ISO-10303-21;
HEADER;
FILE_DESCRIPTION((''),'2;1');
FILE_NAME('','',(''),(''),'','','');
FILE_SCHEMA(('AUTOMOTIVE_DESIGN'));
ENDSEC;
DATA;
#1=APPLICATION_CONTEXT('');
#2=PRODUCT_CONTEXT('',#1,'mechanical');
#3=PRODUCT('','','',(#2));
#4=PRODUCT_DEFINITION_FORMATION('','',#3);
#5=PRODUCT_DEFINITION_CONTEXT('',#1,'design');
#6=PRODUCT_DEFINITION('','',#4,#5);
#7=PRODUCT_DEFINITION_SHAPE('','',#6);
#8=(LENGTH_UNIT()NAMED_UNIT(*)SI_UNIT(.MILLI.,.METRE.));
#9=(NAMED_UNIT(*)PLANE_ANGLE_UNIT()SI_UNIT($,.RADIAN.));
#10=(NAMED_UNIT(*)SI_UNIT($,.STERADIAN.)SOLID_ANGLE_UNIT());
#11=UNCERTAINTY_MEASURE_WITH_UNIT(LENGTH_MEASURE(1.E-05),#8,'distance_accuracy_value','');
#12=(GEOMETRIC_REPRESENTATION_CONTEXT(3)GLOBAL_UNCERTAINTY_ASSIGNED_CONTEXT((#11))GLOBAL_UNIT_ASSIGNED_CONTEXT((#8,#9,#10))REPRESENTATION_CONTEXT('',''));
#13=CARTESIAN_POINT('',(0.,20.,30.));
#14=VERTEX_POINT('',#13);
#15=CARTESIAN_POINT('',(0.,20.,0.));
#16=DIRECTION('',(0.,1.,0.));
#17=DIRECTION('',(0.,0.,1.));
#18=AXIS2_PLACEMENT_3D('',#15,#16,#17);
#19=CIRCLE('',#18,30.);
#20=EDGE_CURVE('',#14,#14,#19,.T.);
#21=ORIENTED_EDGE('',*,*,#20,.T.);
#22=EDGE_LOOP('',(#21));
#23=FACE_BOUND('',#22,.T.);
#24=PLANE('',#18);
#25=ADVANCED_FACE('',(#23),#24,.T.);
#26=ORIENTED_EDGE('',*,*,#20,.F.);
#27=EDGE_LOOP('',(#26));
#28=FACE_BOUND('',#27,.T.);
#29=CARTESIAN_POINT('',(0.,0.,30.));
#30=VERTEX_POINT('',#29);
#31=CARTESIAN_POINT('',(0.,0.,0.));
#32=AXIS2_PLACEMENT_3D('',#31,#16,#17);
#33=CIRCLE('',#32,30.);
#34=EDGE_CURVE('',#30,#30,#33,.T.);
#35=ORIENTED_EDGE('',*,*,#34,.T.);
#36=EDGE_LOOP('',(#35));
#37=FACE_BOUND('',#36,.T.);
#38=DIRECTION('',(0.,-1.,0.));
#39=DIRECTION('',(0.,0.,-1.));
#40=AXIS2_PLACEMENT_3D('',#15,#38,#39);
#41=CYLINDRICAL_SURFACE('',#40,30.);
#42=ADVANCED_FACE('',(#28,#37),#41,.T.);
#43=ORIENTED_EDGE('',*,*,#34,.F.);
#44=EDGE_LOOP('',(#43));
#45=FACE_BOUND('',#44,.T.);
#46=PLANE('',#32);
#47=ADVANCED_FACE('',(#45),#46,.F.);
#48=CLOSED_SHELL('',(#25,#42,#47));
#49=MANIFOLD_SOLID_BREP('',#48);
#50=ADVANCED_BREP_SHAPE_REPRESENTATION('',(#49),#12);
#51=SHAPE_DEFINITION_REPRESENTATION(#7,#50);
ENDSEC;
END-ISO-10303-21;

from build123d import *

# Parameters (mm, degrees)
ESBO_O1_R                = 30
RESSALTO_EXTRUS_O1_DEPTH = 20


with BuildPart() as part:
    # Esboço1 → Ressalto-extrusão1 (new body)
    with BuildSketch(Plane(origin=(0, 0, 0), x_dir=(1, 0, 0), z_dir=(0, 1, 0))):
        with Locations(Location((0, 0, 0), (0, 0, 270))):
            Circle(ESBO_O1_R)
    extrude(amount=RESSALTO_EXTRUS_O1_DEPTH)


solid = part.part
